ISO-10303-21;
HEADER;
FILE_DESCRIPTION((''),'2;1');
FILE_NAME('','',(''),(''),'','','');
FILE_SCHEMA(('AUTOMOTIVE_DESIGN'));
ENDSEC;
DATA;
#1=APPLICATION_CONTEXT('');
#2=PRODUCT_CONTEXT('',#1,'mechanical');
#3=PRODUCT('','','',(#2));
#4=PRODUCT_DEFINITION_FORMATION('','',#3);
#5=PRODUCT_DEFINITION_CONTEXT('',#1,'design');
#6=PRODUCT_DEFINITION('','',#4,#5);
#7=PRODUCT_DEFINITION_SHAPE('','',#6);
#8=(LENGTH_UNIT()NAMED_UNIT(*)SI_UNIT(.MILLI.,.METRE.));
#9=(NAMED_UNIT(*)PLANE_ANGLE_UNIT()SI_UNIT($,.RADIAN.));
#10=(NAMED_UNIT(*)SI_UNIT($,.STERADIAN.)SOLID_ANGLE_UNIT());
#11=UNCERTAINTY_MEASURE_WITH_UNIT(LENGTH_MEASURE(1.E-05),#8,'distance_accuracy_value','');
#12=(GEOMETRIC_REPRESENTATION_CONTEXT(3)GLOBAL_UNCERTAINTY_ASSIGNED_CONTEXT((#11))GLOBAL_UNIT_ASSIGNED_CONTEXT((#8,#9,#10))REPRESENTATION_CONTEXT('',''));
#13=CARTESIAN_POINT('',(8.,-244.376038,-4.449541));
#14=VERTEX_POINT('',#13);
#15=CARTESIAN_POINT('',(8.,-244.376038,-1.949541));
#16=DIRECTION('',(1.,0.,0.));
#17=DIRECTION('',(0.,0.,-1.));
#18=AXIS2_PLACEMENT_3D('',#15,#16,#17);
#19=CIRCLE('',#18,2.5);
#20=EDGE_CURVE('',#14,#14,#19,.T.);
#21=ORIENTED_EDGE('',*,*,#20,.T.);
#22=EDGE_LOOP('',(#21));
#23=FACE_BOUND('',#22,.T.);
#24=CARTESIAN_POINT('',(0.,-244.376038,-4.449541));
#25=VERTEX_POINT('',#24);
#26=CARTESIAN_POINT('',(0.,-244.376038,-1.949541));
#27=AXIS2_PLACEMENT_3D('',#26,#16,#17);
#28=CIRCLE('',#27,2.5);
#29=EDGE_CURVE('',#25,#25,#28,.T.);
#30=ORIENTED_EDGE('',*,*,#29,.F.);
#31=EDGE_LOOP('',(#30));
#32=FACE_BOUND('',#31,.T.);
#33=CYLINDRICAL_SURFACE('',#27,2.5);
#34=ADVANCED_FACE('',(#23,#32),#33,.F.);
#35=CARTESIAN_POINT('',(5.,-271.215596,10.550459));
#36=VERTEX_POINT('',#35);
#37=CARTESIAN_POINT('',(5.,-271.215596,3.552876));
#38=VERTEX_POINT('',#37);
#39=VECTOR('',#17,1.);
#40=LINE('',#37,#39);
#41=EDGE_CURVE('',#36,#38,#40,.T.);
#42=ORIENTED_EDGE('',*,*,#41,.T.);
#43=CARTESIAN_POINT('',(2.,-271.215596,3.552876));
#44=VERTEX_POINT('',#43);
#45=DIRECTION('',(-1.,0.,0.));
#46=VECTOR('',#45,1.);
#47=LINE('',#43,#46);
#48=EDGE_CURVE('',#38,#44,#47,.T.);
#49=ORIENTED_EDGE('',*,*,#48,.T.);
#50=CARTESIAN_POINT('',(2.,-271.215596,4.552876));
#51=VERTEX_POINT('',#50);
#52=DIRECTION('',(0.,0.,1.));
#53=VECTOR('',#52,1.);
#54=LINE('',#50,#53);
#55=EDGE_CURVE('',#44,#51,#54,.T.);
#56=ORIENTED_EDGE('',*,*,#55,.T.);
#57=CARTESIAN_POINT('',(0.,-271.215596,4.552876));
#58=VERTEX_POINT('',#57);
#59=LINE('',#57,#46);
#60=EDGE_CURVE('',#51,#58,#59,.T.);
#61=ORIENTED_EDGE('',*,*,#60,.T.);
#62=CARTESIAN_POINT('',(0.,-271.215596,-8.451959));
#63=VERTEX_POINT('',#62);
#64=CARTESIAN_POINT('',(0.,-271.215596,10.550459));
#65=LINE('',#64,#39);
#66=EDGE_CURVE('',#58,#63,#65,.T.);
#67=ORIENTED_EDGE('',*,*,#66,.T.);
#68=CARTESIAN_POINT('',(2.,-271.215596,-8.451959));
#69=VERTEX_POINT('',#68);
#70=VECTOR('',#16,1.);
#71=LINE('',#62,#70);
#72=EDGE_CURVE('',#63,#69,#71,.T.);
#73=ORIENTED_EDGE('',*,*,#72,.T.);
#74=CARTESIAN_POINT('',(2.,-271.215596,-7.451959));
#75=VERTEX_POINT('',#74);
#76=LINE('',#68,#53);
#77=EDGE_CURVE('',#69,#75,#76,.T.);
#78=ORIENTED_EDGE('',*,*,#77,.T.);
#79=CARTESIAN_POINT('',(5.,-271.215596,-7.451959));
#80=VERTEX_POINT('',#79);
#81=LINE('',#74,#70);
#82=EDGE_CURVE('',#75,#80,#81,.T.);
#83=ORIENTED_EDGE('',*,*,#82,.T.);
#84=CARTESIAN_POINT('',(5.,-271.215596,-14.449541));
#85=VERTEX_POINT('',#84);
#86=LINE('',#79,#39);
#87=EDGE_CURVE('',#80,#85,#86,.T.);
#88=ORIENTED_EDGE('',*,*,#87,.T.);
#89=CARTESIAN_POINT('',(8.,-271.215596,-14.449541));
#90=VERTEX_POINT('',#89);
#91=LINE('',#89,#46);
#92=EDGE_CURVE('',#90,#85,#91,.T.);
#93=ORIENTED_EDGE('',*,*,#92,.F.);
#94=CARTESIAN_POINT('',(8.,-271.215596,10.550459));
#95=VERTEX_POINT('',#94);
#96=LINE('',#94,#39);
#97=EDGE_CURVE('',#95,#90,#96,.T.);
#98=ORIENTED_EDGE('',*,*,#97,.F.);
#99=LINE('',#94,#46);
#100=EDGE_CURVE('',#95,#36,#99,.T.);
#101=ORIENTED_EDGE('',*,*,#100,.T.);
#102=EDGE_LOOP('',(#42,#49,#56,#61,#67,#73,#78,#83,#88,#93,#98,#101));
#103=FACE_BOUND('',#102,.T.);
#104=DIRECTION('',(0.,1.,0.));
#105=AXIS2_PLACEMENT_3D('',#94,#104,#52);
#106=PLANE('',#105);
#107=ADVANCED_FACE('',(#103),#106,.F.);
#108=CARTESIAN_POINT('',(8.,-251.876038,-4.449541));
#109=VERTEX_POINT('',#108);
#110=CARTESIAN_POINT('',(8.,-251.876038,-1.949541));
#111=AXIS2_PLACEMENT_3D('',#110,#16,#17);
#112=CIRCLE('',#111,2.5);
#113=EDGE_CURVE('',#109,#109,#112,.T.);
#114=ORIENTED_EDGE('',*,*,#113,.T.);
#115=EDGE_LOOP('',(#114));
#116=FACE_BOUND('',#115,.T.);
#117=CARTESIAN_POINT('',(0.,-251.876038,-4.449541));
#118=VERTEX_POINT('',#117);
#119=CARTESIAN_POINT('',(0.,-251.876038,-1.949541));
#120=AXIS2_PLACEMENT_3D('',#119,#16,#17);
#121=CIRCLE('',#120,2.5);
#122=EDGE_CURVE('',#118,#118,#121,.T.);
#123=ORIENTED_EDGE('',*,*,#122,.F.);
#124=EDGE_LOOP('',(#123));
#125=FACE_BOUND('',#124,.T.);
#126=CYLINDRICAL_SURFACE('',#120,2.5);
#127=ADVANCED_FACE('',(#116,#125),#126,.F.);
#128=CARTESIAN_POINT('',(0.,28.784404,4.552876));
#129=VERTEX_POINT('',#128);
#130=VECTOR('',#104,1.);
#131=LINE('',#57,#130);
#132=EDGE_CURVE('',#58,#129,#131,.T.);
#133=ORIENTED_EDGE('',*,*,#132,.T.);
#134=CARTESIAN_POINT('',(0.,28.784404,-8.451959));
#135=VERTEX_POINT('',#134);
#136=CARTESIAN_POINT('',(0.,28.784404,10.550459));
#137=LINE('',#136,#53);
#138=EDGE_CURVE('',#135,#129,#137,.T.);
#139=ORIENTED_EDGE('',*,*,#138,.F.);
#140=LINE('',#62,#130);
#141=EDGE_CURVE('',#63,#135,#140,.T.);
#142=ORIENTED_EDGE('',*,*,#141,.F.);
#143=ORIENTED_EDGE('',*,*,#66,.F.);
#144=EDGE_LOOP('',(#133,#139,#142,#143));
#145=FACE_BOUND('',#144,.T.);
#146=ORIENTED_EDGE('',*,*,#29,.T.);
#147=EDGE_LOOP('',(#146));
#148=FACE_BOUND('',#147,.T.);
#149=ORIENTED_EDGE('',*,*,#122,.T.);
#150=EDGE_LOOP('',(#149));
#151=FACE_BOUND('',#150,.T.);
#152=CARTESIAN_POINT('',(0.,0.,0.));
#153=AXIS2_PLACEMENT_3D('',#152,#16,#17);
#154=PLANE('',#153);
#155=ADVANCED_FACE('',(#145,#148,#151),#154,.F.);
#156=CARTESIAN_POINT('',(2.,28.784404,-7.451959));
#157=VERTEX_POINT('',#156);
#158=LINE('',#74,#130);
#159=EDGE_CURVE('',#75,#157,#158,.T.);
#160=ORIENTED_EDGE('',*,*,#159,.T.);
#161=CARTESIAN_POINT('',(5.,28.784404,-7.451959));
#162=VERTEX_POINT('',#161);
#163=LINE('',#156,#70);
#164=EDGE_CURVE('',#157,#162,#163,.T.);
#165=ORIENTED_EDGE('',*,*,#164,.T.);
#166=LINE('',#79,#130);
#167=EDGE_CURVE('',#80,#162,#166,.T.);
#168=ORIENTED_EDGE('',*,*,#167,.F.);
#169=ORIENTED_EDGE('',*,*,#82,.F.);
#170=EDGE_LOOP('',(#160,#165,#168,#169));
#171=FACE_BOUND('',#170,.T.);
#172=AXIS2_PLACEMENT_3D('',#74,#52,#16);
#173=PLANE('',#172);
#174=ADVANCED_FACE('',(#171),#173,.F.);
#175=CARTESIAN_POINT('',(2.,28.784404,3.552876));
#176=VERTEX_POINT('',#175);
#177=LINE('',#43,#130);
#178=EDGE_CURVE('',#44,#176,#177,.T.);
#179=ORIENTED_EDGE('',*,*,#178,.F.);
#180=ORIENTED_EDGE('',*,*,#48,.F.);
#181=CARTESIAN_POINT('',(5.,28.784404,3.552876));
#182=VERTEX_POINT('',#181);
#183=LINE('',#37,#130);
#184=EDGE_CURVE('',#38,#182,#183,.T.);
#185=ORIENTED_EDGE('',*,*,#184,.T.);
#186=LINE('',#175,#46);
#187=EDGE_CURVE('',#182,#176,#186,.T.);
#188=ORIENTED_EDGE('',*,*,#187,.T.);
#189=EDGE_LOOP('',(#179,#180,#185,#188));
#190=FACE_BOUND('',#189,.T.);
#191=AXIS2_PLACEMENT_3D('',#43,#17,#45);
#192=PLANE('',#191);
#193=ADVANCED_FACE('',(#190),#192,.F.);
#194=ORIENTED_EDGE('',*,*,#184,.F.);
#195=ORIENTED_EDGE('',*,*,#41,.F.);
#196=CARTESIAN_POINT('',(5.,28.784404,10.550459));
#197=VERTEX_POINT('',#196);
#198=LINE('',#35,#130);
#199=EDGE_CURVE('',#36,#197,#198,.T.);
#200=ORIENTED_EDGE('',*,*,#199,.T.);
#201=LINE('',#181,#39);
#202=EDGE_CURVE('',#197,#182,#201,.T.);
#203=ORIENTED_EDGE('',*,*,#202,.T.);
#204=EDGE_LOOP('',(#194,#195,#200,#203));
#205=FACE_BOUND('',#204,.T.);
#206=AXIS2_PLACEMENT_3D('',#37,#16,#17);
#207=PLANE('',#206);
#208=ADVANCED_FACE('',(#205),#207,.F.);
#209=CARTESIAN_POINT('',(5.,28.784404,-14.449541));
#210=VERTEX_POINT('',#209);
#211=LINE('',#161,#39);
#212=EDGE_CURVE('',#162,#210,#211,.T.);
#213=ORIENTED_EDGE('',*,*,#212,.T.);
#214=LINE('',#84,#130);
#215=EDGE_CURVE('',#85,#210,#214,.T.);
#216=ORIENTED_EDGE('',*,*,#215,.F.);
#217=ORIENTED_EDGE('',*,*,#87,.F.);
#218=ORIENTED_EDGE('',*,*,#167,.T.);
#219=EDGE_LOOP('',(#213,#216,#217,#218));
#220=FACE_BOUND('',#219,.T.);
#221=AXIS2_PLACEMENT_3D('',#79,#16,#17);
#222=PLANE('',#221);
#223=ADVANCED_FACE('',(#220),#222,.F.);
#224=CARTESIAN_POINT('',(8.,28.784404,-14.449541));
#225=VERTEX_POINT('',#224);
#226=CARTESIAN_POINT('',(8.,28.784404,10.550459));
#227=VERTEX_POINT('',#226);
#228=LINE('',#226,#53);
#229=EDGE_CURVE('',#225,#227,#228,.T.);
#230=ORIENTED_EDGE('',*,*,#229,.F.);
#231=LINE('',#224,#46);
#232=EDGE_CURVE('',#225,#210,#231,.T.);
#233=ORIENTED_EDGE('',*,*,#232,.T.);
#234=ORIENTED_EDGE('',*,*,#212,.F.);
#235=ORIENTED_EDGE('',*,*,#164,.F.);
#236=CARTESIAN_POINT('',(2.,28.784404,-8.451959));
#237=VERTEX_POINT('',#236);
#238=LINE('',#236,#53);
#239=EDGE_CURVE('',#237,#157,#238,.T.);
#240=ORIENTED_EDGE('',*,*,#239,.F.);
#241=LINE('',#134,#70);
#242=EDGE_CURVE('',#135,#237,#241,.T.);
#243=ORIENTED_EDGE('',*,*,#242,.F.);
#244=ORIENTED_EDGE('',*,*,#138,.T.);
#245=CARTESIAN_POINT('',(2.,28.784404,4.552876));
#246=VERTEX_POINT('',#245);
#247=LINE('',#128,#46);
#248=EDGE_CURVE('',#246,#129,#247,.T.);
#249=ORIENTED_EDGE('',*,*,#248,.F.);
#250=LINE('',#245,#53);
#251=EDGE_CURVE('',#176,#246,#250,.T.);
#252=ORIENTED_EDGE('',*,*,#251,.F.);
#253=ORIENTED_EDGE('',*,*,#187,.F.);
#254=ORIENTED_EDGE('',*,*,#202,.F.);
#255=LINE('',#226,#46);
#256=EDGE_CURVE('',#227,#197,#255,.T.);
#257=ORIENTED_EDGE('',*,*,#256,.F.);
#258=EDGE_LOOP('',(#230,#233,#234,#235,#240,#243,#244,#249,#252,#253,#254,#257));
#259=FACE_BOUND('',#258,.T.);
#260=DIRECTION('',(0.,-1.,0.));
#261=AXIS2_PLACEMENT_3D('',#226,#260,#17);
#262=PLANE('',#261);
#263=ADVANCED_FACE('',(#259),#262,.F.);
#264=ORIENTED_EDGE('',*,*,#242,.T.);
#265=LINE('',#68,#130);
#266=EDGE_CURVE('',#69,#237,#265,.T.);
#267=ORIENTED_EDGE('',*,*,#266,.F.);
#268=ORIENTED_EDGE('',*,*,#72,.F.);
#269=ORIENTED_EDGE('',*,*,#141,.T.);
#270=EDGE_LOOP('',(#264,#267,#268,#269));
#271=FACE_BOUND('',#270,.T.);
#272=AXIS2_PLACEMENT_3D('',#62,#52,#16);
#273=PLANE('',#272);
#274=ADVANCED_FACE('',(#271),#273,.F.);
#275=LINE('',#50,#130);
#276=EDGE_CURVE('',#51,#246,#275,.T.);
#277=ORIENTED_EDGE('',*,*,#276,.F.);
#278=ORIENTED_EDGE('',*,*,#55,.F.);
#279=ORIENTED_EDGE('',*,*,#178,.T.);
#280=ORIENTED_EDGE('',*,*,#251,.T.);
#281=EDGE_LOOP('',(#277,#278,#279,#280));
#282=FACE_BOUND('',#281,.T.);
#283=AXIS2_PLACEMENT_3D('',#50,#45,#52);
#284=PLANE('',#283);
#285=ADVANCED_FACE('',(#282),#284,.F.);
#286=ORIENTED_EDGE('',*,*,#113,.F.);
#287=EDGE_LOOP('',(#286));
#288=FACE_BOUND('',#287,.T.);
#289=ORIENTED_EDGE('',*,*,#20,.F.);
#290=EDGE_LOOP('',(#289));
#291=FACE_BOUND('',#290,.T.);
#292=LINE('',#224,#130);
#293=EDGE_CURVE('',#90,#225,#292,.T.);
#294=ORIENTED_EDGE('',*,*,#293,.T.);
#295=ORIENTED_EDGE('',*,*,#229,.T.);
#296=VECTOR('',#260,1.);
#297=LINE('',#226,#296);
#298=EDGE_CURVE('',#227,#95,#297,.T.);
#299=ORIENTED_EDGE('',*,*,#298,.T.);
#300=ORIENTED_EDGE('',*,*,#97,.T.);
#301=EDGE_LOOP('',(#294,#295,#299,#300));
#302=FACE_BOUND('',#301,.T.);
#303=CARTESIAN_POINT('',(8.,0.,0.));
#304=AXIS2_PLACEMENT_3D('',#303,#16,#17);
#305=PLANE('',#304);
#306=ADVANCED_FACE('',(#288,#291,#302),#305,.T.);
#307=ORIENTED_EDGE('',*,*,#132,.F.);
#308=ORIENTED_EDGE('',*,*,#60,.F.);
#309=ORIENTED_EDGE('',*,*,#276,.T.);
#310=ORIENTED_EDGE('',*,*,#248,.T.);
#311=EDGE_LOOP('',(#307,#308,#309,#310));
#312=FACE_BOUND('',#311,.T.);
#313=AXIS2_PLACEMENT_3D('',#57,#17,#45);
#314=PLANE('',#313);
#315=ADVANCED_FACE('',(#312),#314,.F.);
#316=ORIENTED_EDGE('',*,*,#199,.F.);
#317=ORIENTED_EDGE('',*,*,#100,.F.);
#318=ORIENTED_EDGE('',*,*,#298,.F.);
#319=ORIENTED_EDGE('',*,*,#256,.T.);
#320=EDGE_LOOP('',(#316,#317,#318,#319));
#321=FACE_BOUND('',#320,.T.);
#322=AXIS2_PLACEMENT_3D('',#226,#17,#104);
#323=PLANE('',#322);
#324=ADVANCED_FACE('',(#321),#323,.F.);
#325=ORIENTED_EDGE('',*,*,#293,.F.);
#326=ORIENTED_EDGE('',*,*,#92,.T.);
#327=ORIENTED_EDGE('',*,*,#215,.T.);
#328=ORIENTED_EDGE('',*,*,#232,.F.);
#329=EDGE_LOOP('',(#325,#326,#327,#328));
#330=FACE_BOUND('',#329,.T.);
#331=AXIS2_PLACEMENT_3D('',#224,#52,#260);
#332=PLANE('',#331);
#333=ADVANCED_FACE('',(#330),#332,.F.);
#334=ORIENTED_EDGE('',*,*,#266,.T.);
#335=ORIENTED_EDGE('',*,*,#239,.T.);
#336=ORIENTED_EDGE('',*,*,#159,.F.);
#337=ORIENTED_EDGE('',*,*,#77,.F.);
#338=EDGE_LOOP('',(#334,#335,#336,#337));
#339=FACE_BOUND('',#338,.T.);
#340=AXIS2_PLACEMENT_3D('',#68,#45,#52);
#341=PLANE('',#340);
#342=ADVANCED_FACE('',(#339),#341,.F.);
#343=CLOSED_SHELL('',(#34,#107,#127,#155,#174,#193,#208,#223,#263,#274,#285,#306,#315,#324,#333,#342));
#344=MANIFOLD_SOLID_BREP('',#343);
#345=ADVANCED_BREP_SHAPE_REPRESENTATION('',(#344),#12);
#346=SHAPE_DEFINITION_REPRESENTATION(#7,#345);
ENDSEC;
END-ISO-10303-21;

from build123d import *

# Parameters (mm, degrees)
CROQUIS1_W              = 25
CROQUIS1_H              = 300
SALIENTE_EXTRUIR1_DEPTH = 8
CORTAR_EXTRUIR1_DEPTH   = 301.454304751
CROQUIS3_R              = 2.5
CORTAR_EXTRUIR2_DEPTH   = 272.718032041


with BuildPart() as part:
    # Croquis1 → Saliente-Extruir1 (new body)
    with BuildSketch(Plane(origin=(0, 0, 0), x_dir=(0, 0, -1), z_dir=(1, 0, 0))):
        with Locations((1.949541284, -121.21559633)):
            Rectangle(CROQUIS1_W, CROQUIS1_H)
    extrude(amount=SALIENTE_EXTRUIR1_DEPTH)

    # Croquis2 → Cortar-Extruir1 (cut, through all)
    with BuildSketch(Plane(origin=(0, 28.78440367, 0), x_dir=(1, 0, 0), z_dir=(0, 1, 0))):
        Polygon((2, 8.451958984), (2, 7.451958984), (5, 7.451958984), (5, 14.449541284), (0, 14.449541284), (0, 8.451958984), align=None)
        Polygon((5, -10.550458716), (0, -10.550458716), (0, -4.552876416), (2, -4.552876416), (2, -3.552876416), (5, -3.552876416), align=None)
    extrude(amount=-CORTAR_EXTRUIR1_DEPTH, mode=Mode.SUBTRACT)

    # Croquis3 → Cortar-Extruir2 (cut, through all)
    with BuildSketch(Plane(origin=(8, 0, 0), x_dir=(0, 0, -1), z_dir=(1, 0, 0))):
        with Locations((1.949541284, -251.876037927)):
            Circle(CROQUIS3_R)
        with Locations((1.949541284, -244.376037927)):
            Circle(CROQUIS3_R)
    extrude(amount=-CORTAR_EXTRUIR2_DEPTH, mode=Mode.SUBTRACT)


solid = part.part
